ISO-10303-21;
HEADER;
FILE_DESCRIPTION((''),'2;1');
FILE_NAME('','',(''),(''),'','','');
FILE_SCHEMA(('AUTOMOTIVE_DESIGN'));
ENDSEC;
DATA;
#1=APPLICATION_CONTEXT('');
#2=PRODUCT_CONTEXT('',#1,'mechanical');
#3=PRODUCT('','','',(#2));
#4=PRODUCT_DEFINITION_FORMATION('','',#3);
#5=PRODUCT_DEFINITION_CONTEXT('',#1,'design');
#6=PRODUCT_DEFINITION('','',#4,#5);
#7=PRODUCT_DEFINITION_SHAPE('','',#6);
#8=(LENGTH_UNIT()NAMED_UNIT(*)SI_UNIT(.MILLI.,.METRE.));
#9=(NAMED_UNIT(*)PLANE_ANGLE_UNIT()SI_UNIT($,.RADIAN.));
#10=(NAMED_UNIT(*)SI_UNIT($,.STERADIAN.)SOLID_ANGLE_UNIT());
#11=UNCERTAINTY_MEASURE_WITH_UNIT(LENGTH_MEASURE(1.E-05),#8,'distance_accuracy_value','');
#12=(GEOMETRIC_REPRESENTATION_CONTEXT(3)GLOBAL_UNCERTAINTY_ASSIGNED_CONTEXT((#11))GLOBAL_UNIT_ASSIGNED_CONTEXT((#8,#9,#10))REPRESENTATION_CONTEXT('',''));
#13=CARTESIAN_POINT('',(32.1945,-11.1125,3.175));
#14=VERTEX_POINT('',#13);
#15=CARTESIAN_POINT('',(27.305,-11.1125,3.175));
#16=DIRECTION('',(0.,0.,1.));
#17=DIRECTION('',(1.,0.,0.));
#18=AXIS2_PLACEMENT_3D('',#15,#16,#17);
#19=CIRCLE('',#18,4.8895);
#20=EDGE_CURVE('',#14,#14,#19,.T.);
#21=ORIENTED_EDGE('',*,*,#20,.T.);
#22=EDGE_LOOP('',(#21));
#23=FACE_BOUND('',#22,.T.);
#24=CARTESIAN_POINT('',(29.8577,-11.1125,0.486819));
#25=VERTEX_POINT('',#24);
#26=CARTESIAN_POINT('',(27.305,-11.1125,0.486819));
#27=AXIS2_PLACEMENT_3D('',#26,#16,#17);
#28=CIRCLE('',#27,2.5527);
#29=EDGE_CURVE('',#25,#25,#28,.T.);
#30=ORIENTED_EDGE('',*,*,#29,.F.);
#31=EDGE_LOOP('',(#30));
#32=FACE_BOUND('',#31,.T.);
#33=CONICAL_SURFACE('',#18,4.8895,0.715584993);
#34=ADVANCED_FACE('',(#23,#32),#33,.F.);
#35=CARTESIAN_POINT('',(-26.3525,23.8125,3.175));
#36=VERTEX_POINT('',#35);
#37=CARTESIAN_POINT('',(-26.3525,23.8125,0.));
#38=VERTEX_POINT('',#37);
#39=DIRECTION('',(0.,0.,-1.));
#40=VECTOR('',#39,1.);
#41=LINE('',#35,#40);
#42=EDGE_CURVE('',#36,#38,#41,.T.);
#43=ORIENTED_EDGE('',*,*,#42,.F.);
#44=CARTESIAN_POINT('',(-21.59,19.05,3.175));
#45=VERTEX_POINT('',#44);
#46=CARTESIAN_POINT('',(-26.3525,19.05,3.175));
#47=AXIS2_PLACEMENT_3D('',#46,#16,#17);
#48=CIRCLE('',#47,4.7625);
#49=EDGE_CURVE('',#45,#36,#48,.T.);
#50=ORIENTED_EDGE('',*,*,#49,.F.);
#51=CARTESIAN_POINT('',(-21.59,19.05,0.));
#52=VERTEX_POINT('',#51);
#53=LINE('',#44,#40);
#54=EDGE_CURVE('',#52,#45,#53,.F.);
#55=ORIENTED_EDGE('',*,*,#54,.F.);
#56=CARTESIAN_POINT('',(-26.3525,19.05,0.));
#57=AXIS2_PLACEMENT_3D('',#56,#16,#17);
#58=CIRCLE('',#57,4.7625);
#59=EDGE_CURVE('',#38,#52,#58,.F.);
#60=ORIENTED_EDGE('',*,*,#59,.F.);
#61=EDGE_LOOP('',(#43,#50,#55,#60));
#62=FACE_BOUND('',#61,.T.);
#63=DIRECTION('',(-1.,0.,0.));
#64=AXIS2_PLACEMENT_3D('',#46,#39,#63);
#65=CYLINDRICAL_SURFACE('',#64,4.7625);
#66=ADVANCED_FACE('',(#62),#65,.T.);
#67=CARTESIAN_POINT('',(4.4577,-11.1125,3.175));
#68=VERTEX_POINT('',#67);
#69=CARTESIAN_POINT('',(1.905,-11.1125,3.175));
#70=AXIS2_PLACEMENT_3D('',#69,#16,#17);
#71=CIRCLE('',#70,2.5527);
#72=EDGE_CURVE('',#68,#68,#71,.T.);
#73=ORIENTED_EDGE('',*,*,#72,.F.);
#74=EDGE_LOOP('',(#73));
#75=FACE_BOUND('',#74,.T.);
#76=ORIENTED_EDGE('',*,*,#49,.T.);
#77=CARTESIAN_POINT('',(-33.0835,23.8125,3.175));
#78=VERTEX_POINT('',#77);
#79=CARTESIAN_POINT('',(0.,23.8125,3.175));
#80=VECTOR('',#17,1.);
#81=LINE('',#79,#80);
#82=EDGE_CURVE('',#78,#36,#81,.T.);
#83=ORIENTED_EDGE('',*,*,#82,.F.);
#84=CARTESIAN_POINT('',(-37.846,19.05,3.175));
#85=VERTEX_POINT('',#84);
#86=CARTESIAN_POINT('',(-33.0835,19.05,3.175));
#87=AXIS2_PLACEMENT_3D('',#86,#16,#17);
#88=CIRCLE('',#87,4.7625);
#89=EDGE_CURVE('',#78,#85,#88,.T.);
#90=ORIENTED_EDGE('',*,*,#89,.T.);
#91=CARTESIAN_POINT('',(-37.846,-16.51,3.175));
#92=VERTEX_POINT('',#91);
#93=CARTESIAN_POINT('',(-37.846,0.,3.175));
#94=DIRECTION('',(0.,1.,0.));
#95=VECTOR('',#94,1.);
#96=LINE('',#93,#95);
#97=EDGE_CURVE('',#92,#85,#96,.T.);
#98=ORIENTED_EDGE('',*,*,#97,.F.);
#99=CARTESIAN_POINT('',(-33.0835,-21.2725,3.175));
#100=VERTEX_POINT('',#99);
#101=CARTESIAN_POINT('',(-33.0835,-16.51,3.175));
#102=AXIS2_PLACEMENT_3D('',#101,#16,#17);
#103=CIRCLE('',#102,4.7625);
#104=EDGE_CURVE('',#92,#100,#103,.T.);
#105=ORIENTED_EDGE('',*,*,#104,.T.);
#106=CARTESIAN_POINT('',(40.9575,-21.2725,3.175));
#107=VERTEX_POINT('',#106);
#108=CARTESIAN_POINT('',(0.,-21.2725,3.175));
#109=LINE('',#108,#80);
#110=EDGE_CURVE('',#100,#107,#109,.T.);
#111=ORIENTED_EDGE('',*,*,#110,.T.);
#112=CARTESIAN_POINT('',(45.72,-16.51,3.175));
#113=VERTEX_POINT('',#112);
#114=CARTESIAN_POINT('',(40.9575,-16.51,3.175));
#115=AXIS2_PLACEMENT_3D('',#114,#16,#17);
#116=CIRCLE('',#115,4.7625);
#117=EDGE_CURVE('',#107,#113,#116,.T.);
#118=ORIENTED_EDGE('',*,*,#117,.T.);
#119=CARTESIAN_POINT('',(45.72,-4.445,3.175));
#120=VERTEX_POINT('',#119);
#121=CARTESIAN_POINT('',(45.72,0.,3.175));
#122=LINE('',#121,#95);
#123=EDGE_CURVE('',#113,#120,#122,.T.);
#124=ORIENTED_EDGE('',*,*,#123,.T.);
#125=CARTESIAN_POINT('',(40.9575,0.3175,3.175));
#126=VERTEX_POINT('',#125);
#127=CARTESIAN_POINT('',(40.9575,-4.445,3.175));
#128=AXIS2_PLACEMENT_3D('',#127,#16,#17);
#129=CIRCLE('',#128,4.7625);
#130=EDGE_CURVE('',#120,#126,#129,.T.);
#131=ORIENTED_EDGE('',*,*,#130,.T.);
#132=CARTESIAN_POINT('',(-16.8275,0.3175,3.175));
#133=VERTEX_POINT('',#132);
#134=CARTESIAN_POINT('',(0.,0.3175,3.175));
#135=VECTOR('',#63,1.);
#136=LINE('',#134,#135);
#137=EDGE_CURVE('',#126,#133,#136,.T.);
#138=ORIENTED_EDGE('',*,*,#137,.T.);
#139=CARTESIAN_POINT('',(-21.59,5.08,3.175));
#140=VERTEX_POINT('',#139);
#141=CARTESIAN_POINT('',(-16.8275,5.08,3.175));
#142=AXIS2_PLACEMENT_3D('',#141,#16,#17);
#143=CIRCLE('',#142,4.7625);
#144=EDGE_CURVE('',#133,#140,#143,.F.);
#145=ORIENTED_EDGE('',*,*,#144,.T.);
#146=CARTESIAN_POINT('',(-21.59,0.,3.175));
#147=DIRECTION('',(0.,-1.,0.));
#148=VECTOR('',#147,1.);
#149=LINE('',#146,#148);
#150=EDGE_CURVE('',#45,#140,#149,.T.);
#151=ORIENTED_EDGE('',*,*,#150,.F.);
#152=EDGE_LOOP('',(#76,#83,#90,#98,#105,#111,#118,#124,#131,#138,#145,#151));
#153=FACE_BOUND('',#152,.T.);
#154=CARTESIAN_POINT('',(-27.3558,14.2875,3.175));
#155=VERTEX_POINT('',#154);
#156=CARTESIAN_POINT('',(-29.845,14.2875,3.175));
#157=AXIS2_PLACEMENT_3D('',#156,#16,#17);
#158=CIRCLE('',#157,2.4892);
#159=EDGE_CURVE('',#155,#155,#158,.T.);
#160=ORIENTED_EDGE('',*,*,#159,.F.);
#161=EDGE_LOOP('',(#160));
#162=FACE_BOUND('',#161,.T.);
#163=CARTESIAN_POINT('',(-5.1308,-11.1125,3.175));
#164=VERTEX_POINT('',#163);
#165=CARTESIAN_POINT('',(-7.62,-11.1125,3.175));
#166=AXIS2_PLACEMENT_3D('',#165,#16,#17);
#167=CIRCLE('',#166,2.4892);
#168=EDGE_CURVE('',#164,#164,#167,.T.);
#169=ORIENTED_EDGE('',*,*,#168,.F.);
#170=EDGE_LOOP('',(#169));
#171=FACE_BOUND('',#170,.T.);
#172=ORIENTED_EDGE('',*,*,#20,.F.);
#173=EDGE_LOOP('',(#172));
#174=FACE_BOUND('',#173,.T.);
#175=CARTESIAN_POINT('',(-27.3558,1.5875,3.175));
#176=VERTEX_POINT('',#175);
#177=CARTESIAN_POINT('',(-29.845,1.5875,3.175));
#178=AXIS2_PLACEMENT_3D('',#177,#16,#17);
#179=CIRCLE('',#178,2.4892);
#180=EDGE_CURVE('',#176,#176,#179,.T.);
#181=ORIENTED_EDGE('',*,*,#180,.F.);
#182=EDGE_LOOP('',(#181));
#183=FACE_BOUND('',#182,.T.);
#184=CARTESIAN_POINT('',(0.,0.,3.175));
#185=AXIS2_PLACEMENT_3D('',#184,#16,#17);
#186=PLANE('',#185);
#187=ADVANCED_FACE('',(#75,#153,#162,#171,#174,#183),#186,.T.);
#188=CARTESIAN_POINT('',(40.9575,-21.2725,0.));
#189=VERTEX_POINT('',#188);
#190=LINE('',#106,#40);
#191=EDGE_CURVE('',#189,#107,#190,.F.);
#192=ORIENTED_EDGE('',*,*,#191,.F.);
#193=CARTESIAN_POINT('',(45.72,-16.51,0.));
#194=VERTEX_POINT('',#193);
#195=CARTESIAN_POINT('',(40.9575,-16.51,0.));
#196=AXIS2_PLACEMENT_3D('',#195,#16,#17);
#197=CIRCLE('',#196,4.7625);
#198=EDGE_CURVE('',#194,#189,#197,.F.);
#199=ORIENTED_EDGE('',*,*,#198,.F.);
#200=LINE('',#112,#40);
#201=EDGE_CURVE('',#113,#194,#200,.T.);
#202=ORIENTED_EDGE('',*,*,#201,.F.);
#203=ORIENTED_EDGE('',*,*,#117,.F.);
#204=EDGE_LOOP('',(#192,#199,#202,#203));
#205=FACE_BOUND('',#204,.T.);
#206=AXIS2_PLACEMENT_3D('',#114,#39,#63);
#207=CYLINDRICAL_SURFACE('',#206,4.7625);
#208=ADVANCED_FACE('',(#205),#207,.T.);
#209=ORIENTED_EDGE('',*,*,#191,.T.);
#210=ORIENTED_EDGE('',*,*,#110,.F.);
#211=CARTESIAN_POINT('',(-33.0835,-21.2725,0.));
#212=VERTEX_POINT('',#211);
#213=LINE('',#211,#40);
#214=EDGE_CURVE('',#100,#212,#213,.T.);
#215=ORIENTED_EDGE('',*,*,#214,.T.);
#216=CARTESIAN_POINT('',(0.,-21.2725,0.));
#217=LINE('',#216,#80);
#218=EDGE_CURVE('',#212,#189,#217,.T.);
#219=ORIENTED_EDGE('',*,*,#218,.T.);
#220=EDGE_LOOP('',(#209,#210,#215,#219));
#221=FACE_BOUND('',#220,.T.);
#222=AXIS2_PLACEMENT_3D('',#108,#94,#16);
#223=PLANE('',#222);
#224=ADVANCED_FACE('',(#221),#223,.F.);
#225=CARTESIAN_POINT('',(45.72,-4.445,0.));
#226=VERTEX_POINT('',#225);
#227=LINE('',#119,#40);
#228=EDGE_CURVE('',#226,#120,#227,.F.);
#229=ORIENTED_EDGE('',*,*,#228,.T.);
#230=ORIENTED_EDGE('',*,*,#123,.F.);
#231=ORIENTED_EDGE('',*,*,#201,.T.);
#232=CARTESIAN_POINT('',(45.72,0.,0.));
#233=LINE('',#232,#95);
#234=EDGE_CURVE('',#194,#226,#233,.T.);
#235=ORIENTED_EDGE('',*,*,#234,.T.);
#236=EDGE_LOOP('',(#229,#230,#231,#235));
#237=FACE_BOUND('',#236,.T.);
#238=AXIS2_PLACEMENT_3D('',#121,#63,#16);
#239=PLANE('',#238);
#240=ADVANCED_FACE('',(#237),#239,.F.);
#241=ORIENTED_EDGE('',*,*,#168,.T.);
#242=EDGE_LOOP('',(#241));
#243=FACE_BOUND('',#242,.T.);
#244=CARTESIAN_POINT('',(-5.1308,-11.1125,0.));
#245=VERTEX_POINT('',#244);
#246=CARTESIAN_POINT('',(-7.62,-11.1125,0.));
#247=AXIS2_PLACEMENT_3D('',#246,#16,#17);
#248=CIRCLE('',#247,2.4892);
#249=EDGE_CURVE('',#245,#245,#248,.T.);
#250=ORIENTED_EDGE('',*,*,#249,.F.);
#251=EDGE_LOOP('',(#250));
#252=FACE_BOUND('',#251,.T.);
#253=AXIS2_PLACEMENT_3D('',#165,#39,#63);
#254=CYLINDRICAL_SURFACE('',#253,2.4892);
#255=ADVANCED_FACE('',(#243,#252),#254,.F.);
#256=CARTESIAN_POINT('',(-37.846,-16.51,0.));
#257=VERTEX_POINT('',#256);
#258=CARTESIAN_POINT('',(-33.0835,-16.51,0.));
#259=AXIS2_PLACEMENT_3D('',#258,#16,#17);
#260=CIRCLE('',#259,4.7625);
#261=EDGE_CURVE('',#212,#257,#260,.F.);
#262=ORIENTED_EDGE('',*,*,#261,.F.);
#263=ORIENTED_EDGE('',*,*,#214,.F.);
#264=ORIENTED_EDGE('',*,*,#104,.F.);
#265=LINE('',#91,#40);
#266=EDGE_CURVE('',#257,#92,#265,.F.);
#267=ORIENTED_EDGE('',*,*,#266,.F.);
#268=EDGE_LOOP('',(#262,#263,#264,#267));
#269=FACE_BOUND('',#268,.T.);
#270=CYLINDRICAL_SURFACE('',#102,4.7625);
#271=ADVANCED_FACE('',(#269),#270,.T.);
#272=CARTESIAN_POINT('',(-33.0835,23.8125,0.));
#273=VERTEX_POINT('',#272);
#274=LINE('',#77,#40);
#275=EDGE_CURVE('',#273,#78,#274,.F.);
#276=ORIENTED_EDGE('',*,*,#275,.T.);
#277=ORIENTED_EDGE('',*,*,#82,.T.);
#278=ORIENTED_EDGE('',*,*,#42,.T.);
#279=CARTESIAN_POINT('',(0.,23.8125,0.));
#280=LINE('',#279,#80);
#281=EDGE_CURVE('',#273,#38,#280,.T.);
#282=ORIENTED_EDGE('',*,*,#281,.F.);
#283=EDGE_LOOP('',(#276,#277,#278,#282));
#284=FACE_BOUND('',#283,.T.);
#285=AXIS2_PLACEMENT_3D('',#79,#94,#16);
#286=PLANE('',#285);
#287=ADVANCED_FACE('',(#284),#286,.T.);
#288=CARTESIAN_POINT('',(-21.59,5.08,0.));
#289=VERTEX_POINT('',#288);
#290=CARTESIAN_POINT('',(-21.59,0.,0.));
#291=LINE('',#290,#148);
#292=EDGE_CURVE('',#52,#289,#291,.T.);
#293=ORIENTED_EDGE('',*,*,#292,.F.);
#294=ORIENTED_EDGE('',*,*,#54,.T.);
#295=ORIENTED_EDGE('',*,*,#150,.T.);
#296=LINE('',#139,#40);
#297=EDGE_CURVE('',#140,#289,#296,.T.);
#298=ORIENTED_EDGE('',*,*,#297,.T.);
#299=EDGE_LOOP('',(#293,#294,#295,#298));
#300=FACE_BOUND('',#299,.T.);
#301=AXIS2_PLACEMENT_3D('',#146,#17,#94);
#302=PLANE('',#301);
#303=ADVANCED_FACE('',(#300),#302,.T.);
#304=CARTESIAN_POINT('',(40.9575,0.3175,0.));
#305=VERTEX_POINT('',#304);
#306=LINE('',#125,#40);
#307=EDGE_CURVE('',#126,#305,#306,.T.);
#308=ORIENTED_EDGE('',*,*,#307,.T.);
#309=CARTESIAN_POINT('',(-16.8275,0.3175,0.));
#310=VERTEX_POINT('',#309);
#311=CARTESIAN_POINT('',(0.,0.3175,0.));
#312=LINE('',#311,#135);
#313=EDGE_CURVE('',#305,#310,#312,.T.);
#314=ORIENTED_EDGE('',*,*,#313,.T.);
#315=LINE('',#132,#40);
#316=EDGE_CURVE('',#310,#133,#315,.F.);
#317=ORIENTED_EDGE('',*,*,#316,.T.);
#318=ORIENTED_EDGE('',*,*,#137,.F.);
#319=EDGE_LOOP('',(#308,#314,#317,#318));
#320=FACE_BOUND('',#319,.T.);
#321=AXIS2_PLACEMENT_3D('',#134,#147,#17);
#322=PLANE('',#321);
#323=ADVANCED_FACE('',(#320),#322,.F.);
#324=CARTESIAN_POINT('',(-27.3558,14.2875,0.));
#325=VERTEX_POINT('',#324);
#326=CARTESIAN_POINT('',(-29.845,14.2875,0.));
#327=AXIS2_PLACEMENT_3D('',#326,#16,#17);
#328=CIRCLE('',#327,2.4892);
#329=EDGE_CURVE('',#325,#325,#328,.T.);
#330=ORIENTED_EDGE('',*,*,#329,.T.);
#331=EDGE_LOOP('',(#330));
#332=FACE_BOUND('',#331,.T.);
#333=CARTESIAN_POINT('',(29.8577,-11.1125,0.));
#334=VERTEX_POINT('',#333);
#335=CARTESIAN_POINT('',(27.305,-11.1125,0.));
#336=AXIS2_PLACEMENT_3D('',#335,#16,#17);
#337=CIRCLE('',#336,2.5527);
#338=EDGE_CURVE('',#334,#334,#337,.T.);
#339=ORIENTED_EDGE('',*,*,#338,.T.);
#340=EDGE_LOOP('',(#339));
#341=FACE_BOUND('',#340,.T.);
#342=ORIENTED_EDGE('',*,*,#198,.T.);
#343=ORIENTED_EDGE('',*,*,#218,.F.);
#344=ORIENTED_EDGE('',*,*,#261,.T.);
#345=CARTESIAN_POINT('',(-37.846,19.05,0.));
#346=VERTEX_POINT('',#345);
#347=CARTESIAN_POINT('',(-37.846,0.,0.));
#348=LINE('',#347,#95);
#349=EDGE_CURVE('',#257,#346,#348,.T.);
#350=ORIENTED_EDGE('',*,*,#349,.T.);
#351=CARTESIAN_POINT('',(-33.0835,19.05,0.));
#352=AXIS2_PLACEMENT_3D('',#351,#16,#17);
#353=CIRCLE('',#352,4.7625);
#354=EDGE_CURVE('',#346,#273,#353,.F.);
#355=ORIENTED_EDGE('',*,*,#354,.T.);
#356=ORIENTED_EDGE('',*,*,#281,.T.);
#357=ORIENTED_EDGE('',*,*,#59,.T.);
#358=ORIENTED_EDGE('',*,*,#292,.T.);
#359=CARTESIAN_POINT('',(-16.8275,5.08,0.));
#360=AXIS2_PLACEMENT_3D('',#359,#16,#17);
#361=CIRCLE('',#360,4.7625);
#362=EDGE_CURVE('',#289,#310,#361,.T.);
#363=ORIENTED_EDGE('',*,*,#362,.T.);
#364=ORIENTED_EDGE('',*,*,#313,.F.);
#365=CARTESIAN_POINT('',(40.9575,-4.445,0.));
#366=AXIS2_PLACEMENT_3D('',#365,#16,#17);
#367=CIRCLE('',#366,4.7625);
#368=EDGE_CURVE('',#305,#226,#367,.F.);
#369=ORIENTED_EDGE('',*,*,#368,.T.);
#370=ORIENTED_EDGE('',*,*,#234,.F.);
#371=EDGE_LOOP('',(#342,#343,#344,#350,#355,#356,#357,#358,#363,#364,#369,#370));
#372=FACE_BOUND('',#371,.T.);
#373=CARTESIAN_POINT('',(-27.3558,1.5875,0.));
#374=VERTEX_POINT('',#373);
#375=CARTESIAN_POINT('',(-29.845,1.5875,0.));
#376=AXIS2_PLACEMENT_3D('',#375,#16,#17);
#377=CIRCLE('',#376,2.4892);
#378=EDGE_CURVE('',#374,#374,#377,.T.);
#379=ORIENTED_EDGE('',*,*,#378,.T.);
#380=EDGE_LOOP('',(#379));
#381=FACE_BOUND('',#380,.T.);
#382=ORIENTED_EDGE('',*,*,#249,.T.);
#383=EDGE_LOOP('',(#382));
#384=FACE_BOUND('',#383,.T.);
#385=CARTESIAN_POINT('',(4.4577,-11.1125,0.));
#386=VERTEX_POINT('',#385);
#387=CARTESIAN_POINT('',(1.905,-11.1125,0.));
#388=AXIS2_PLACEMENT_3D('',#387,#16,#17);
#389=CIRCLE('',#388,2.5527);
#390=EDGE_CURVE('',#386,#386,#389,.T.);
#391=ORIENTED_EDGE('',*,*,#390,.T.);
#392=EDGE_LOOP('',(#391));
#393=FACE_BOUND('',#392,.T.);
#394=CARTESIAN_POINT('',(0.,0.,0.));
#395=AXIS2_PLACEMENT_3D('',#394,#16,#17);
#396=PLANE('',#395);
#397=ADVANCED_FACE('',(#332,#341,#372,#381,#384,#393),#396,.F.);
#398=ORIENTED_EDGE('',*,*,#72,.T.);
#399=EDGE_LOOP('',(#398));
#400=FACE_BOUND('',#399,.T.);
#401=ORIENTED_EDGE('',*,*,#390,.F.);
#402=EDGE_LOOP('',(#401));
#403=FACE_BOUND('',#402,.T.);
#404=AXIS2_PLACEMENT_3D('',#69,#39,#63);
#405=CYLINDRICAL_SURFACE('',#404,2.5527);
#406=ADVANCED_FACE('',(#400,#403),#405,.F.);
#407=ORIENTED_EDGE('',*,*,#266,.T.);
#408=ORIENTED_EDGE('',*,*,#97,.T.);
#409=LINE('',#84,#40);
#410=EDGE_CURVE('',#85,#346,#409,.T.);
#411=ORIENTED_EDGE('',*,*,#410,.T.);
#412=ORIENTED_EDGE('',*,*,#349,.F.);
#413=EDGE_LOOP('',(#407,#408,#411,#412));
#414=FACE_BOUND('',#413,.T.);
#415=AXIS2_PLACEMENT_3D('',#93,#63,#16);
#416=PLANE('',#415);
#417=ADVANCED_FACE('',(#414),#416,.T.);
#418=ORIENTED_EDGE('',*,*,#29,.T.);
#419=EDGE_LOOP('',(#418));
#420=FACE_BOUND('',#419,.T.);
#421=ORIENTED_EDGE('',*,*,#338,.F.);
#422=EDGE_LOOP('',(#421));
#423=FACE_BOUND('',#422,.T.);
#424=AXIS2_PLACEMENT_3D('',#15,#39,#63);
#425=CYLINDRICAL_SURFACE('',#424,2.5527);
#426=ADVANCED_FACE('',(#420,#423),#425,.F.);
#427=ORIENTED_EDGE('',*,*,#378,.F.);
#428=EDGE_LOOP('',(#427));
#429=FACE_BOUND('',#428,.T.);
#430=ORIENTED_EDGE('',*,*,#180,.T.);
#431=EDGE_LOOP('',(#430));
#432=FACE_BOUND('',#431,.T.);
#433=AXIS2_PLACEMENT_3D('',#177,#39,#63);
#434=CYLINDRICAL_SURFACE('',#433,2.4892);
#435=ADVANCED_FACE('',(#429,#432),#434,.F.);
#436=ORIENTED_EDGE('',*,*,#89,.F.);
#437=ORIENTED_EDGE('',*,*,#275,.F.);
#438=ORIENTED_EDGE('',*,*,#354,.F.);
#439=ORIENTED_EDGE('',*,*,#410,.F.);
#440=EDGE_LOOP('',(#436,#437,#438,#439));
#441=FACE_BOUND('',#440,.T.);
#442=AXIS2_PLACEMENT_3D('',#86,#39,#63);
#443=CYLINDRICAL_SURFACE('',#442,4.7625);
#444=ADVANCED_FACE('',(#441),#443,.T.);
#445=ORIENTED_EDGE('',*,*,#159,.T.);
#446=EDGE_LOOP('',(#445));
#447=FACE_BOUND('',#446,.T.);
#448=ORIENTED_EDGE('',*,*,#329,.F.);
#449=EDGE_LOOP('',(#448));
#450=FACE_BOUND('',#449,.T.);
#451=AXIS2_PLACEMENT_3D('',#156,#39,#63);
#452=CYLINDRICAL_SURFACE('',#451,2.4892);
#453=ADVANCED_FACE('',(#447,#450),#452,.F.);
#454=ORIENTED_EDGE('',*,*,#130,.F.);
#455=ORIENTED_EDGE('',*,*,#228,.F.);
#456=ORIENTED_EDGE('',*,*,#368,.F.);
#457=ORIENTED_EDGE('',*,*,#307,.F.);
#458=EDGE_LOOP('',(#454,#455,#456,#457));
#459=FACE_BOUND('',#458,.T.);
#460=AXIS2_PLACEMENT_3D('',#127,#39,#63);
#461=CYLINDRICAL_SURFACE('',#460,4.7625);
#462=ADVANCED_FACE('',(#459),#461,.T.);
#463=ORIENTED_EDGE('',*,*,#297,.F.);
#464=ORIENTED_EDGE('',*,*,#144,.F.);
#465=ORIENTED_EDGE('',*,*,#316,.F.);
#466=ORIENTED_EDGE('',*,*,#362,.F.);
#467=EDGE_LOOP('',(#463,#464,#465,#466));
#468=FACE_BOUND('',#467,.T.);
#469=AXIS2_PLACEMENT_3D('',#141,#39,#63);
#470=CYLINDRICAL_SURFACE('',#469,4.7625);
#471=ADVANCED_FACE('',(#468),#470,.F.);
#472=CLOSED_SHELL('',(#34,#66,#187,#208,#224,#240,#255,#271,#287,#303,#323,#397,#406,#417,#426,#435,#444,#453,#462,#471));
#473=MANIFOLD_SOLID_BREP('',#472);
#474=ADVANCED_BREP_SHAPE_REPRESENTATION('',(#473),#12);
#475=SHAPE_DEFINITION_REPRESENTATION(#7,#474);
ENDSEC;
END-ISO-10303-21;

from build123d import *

# Parameters (mm, degrees)
SKETCH1_R                                       = 2.4892
SKETCH1_R_2                                     = 2.5527
BOSS_EXTRUDE1_DEPTH                             = 3.175
FILLET1_R                                       = 4.7625
CSK_FOR_10_FLAT_HEAD_MACHINE_SCREW1_D           = 5.1054
CSK_FOR_10_FLAT_HEAD_MACHINE_SCREW1_DEPTH       = 19.05
CSK_FOR_10_FLAT_HEAD_MACHINE_SCREW1_CSINK_D     = 9.779
CSK_FOR_10_FLAT_HEAD_MACHINE_SCREW1_CSINK_ANGLE = 82
CSK_FOR_10_FLAT_HEAD_MACHINE_SCREW1_TIP         = 1.533816902


with BuildPart() as part:
    # Sketch1 → Boss-Extrude1 (new body)
    with BuildSketch(Plane.XY):
        Polygon((-37.846, 23.8125), (-37.846, -21.2725), (45.72, -21.2725), (45.72, 0.3175), (-21.59, 0.3175), (-21.59, 23.8125), align=None)
        with Locations((-29.845, -11.1125)):
            Circle(SKETCH1_R, mode=Mode.SUBTRACT)
        with Locations((-7.62, -11.1125)):
            Circle(SKETCH1_R, mode=Mode.SUBTRACT)
        with Locations((1.905, -11.1125)):
            Circle(SKETCH1_R_2, mode=Mode.SUBTRACT)
        with Locations((27.305, -11.1125)):
            Circle(SKETCH1_R_2, mode=Mode.SUBTRACT)
        with Locations((-29.845, 1.5875)):
            Circle(SKETCH1_R, mode=Mode.SUBTRACT)
        with Locations((-29.845, 14.2875)):
            Circle(SKETCH1_R, mode=Mode.SUBTRACT)
        with Locations((-29.845, -11.1125)):
            Circle(SKETCH1_R)
    extrude(amount=BOSS_EXTRUDE1_DEPTH)

    # Fillet1
    fillet1_edges = [part.edges().sort_by_distance(p)[0] for p in [
        (-37.846, 23.8125, 1.5875),
        (-21.59, 23.8125, 1.5875),
        (-21.59, 0.3175, 1.5875),
        (45.72, 0.3175, 1.5875),
        (45.72, -21.2725, 1.5875),
        (-37.846, -21.2725, 1.5875),
    ]]
    fillet(fillet1_edges, radius=FILLET1_R)

    # CSK for #10 Flat Head Machine Screw1
    with Locations(Plane.XY.offset(3.175)):
        with Locations((27.305, -11.1125)):
            CounterSinkHole(CSK_FOR_10_FLAT_HEAD_MACHINE_SCREW1_D / 2, CSK_FOR_10_FLAT_HEAD_MACHINE_SCREW1_CSINK_D / 2, depth=CSK_FOR_10_FLAT_HEAD_MACHINE_SCREW1_DEPTH, counter_sink_angle=CSK_FOR_10_FLAT_HEAD_MACHINE_SCREW1_CSINK_ANGLE)
            with Locations((0, 0, -(CSK_FOR_10_FLAT_HEAD_MACHINE_SCREW1_DEPTH + CSK_FOR_10_FLAT_HEAD_MACHINE_SCREW1_TIP / 2))):  # 118° drill point
                Cone(0, CSK_FOR_10_FLAT_HEAD_MACHINE_SCREW1_D / 2, CSK_FOR_10_FLAT_HEAD_MACHINE_SCREW1_TIP, mode=Mode.SUBTRACT)


solid = part.part
